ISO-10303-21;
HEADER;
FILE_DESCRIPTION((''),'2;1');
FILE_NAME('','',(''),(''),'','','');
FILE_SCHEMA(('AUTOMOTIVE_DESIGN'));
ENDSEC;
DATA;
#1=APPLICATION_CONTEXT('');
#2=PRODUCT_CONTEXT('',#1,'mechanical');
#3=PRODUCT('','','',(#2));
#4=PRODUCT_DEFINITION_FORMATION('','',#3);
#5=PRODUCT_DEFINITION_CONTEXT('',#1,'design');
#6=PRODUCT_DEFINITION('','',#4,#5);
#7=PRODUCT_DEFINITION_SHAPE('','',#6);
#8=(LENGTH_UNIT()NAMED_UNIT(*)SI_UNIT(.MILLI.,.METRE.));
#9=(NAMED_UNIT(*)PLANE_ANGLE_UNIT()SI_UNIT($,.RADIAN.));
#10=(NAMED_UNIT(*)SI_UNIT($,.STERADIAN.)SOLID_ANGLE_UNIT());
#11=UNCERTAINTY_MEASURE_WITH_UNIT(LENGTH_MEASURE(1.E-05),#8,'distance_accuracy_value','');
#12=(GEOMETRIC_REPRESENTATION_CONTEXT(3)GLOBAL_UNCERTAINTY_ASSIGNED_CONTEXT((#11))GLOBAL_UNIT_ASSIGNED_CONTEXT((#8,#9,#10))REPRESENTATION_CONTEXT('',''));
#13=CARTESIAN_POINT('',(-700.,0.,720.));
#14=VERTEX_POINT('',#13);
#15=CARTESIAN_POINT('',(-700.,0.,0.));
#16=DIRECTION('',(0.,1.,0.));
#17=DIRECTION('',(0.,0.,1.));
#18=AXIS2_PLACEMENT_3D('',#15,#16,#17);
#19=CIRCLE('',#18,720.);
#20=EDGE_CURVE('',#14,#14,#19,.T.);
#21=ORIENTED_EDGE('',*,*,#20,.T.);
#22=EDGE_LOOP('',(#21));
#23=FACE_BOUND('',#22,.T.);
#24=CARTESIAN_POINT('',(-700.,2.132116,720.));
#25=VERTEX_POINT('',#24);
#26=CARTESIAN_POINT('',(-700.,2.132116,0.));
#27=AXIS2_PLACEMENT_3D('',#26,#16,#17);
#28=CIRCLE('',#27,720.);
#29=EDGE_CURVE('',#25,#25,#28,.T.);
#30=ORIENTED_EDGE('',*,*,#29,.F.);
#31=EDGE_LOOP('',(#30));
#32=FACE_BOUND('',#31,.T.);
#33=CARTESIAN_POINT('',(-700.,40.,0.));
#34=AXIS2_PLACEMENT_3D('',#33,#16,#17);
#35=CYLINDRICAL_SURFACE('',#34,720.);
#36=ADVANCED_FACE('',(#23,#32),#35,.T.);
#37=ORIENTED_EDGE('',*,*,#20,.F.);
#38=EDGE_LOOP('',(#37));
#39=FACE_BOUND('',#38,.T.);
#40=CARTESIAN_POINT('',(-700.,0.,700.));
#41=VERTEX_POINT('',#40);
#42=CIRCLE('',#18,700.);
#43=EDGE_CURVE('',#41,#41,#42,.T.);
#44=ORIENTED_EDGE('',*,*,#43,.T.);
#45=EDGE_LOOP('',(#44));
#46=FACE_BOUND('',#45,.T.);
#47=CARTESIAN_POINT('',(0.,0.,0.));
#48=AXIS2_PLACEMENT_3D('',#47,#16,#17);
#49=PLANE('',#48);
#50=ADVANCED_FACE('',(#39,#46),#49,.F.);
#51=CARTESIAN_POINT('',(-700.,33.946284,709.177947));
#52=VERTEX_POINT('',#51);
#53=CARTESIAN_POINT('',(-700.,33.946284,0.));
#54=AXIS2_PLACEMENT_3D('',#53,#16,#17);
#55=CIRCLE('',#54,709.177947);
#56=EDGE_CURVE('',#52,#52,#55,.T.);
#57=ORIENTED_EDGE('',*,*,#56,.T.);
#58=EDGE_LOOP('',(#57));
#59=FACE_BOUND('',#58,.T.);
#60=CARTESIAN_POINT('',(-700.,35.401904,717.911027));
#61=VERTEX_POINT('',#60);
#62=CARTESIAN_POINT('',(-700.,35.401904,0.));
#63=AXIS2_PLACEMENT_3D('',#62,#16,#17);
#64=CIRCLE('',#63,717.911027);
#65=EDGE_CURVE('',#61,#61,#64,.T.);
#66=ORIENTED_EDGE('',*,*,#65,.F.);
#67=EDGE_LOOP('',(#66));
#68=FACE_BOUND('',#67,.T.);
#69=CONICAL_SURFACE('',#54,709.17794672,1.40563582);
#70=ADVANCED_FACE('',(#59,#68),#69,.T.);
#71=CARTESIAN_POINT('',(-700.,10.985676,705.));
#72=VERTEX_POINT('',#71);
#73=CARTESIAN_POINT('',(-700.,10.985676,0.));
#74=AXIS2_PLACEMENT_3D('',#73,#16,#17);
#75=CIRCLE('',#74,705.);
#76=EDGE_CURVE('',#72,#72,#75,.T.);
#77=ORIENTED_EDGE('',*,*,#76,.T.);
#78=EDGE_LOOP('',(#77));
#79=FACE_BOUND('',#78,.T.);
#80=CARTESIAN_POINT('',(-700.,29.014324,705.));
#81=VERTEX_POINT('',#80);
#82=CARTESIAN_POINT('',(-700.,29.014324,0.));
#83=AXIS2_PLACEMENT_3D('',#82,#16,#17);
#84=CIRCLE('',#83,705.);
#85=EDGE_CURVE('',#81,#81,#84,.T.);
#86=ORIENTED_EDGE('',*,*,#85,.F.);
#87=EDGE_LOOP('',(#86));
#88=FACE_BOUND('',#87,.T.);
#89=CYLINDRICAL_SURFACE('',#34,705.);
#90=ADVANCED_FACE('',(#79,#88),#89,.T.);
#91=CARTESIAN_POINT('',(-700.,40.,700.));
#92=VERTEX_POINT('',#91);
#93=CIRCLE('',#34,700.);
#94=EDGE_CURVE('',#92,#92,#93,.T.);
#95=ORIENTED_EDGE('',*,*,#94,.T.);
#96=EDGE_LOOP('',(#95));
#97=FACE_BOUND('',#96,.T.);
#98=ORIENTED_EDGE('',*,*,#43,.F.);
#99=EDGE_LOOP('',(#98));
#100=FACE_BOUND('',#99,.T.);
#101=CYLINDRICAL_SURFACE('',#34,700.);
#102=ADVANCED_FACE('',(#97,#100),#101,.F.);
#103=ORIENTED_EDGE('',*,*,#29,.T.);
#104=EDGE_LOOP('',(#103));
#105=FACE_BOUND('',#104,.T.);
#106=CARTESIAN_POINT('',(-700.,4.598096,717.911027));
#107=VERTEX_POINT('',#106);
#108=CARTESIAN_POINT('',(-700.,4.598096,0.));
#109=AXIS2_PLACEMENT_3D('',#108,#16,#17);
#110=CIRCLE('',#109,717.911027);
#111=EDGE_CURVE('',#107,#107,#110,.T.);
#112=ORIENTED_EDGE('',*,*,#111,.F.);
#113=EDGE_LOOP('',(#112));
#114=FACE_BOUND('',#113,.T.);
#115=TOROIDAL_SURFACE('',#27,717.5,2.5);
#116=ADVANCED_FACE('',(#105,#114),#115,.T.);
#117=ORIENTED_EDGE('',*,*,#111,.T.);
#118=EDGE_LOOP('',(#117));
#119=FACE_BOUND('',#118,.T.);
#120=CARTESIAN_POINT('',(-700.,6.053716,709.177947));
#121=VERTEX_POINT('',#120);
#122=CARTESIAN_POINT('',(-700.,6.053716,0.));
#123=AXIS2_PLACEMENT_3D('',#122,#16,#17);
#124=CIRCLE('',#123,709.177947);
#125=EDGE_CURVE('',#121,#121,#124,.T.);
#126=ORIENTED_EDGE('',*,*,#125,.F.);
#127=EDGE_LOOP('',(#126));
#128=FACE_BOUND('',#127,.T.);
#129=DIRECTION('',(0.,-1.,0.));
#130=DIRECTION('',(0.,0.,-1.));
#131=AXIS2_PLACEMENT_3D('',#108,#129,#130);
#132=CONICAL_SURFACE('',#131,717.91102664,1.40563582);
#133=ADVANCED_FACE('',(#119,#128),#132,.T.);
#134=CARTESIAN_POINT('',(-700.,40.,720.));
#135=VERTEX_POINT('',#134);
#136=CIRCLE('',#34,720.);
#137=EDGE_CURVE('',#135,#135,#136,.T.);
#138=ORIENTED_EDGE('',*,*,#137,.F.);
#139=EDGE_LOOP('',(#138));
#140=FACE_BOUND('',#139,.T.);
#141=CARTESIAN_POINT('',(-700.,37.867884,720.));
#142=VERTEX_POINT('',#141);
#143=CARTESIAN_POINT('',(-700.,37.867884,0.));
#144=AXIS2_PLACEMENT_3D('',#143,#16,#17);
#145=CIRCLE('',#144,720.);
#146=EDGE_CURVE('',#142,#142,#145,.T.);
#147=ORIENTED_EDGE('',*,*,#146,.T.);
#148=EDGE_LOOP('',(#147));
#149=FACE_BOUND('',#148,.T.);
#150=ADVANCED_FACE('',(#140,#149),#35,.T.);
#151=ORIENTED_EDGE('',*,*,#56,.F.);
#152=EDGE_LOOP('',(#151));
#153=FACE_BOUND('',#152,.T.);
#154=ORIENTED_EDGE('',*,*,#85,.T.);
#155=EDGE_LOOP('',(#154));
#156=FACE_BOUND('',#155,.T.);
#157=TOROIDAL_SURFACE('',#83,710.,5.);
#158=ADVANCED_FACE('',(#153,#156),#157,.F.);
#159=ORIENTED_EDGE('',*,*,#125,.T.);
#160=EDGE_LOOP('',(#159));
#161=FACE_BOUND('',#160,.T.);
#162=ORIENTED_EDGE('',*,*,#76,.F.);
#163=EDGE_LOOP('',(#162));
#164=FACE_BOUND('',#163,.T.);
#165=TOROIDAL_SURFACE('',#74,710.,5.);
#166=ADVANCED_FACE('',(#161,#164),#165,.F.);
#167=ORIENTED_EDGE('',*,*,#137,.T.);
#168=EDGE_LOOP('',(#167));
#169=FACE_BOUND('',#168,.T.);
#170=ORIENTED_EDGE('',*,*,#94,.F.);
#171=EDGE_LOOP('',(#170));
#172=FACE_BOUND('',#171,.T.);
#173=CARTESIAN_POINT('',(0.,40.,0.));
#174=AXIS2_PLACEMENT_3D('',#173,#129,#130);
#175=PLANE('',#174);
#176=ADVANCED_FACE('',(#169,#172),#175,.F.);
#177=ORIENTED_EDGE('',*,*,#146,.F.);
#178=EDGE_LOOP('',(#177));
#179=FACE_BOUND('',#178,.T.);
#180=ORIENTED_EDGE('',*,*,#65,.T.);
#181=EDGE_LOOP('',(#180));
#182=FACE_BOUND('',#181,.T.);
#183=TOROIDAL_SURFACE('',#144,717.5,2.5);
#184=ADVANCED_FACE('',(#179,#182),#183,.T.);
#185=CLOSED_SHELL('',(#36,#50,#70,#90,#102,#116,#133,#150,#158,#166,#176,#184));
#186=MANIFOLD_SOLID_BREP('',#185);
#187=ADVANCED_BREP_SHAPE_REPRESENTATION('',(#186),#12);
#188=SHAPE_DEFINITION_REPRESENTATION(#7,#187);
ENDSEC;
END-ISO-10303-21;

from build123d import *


with BuildPart() as part:
    # Sketch1 → Revolve1 (revolve)
    with BuildSketch(Plane.XY, mode=Mode.PRIVATE) as revolve1_sk:
        with BuildLine():
            Line((0, 0), (0, 40))
            Line((0, 40), (20, 40))
            Line((20, 40), (20, 37.86788351))
            ThreePointArc((20, 37.86788351), (19.407559514, 36.251957552), (17.91102664, 35.401903562))
            Line((17.91102664, 35.401903562), (9.17794672, 33.946284063))
            ThreePointArc((9.17794672, 33.946284063), (6.184880972, 32.246176083), (5, 29.014324168))
            Line((5, 29.014324168), (5, 10.985675832))
            ThreePointArc((5, 10.985675832), (6.184880972, 7.753823917), (9.17794672, 6.053715937))
            Line((9.17794672, 6.053715937), (17.91102664, 4.598096438))
            ThreePointArc((17.91102664, 4.598096438), (19.407559514, 3.748042448), (20, 2.13211649))
            Line((20, 2.13211649), (20, 0))
            Line((20, 0), (0, 0))
        make_face()
    revolve(revolve1_sk.sketch.rotate(Axis((-700, 40, 0), (0, -1, 0)), 90), axis=Axis((-700, 40, 0), (0, -1, 0)))


solid = part.part
